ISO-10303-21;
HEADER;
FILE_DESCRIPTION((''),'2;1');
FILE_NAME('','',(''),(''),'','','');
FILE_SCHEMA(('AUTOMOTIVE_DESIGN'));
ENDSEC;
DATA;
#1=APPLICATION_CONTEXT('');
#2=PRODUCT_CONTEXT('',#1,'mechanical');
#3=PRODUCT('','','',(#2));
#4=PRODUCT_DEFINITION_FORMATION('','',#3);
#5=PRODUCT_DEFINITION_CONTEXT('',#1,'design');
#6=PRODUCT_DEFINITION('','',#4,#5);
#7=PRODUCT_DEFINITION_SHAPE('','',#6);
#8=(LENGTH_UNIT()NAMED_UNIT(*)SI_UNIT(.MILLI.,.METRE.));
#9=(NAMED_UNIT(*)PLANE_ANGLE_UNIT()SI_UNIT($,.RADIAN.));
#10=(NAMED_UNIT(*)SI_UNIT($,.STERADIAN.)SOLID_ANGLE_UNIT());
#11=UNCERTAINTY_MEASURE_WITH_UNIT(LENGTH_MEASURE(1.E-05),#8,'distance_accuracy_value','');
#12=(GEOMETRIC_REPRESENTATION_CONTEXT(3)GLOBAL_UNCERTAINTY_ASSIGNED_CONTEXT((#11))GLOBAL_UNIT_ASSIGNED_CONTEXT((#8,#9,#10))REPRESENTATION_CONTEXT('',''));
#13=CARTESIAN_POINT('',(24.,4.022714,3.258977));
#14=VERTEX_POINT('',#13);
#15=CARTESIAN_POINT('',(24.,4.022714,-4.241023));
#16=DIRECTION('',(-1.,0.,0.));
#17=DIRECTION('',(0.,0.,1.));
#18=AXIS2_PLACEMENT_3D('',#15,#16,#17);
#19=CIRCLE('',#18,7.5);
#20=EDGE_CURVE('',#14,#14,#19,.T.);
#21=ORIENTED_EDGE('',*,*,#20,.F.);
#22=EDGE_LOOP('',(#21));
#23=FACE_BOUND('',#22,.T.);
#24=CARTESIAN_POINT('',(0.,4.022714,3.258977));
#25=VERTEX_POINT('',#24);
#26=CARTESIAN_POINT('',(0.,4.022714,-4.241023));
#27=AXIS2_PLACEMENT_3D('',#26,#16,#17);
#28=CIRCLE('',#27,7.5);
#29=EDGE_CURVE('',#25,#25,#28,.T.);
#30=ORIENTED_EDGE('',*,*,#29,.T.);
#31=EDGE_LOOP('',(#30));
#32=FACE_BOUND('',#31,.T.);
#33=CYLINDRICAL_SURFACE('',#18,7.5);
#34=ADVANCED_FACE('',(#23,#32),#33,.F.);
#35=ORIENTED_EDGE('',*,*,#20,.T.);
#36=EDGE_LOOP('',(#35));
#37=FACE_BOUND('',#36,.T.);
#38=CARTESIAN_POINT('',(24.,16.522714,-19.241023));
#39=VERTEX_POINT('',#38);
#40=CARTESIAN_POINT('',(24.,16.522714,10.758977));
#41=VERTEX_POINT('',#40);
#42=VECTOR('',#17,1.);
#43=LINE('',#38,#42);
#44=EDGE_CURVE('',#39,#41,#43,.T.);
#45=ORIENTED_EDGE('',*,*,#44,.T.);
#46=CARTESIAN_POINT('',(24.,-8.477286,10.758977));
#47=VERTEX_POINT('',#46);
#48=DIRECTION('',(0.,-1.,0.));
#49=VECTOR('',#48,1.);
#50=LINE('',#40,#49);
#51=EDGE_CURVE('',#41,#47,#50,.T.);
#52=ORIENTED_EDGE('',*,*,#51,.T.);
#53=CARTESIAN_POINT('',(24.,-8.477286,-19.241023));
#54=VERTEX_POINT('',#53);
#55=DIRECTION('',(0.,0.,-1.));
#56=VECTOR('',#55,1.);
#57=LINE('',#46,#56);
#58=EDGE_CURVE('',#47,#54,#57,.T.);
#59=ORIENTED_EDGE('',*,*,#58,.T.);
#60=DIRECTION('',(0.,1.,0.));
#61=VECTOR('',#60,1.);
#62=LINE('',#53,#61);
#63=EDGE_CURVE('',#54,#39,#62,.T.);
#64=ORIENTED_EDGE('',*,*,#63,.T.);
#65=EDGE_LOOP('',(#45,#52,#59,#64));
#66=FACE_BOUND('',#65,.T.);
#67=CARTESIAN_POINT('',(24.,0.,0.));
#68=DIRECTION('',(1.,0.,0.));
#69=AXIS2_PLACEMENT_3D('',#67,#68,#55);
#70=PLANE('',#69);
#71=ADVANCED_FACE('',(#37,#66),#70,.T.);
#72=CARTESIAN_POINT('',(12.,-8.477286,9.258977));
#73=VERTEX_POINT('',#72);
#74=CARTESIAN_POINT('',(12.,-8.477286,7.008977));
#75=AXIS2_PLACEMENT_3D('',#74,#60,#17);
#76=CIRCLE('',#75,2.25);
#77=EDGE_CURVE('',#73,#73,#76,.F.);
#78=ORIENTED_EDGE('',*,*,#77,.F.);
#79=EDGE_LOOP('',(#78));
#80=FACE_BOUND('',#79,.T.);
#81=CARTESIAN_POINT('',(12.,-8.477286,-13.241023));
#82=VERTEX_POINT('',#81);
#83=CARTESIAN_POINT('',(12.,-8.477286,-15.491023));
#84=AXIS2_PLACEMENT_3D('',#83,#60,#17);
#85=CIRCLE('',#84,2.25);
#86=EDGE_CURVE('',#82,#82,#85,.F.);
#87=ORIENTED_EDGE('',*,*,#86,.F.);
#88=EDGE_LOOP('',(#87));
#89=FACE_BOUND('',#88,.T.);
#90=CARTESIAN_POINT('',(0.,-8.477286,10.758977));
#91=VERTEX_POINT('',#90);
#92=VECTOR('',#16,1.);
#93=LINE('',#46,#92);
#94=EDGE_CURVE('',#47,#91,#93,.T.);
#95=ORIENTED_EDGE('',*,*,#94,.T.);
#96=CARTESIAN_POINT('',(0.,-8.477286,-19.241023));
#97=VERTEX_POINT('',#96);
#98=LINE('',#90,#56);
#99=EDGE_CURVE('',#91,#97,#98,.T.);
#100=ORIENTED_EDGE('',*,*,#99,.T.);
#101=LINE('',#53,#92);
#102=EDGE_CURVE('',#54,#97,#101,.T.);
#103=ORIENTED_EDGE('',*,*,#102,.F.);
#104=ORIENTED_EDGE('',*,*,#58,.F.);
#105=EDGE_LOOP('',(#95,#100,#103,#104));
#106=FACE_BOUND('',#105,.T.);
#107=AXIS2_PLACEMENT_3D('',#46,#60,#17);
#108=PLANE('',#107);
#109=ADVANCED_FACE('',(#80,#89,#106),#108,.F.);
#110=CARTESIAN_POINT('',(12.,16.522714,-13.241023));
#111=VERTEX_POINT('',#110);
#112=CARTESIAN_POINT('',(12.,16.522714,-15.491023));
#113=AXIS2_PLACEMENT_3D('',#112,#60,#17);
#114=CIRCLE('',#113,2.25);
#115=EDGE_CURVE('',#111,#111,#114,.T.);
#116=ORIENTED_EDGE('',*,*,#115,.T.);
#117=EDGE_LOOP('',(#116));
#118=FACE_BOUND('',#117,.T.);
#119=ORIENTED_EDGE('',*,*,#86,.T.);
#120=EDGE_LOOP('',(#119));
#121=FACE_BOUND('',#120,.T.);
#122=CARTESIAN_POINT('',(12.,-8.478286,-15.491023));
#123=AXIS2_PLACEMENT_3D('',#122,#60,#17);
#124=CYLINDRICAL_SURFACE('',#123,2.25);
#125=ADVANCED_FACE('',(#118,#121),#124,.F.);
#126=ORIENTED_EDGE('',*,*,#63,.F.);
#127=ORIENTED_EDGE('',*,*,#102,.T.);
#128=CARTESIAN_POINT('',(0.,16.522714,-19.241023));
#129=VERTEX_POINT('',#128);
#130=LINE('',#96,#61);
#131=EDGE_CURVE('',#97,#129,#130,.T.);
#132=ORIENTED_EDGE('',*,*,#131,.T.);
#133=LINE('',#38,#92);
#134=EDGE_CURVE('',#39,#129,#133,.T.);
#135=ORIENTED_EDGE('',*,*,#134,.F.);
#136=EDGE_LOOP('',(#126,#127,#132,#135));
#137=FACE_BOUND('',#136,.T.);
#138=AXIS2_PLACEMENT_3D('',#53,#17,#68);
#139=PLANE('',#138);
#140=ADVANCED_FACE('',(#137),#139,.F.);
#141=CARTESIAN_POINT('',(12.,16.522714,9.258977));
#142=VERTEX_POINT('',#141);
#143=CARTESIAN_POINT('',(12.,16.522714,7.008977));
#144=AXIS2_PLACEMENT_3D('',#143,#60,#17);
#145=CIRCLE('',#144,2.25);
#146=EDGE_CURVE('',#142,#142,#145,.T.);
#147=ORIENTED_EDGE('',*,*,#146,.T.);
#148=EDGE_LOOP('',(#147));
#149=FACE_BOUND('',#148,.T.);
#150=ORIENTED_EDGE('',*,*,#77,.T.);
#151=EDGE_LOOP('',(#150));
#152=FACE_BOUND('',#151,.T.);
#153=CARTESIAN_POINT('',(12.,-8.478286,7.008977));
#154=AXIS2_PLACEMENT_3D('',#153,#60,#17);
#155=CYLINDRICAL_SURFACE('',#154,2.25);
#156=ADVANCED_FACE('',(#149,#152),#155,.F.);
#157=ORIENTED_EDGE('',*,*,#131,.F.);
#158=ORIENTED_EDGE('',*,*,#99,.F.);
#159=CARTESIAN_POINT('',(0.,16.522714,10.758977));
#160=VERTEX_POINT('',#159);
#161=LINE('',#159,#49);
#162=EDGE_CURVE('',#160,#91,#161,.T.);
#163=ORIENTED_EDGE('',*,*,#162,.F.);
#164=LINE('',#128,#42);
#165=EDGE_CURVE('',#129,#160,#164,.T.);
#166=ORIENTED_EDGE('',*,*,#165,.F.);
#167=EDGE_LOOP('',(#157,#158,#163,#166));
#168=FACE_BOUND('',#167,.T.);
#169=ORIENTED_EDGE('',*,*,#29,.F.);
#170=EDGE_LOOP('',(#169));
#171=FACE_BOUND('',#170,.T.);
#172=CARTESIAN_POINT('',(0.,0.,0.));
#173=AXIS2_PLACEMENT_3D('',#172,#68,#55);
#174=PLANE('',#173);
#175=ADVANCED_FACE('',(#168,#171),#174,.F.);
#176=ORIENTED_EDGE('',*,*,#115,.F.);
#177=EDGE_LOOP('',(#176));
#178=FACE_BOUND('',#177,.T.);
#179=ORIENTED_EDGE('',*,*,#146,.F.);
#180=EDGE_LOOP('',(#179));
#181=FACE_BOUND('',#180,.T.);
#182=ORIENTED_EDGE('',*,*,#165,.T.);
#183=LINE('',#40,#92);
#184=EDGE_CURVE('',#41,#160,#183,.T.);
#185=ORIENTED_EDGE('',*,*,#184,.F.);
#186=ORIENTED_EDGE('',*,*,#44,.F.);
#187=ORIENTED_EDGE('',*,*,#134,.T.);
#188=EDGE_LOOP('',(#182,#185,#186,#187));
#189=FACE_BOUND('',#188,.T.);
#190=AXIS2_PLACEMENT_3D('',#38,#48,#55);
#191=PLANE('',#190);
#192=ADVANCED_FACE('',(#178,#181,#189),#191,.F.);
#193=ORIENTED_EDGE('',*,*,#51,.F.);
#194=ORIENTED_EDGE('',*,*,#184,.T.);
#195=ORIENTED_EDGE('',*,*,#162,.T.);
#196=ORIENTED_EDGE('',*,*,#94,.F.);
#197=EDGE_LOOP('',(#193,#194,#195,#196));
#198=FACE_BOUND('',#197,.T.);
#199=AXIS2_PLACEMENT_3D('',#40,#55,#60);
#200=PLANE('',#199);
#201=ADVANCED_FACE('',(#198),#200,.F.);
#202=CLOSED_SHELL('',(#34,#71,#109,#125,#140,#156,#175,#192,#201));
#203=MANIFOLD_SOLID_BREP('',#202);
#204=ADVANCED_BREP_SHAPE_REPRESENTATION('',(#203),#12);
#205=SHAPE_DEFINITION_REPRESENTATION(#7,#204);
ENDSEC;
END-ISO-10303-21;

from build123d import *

# Parameters (mm, degrees)
CROQUIS1_W              = 30
CROQUIS1_H              = 25
SALIENTE_EXTRUIR1_DEPTH = 24
CROQUIS2_R              = 7.5
CORTAR_EXTRUIR1_DEPTH   = 24
CORTAR_EXTRUIR4_REACH   = 41.639
CROQUIS4_R              = 2.25


with BuildPart() as part:
    # Croquis1 → Saliente-Extruir1 (new body)
    with BuildSketch(Plane(origin=(0, 0, 0), x_dir=(0, 0, -1), z_dir=(1, 0, 0))):
        with Locations((4.241023359, 4.022714127)):
            Rectangle(CROQUIS1_W, CROQUIS1_H)
    extrude(amount=SALIENTE_EXTRUIR1_DEPTH)

    # Croquis2 → Cortar-Extruir1 (cut)
    with BuildSketch(Plane.ZY):
        with Locations((-4.241023359, 4.022714127)):
            Circle(CROQUIS2_R)
    extrude(amount=-CORTAR_EXTRUIR1_DEPTH, mode=Mode.SUBTRACT)

    # Croquis4 → Cortar-Extruir4 (cut, up to next)
    with BuildSketch(Plane(origin=(0, 16.522714127, 0), x_dir=(1, 0, 0), z_dir=(0, 1, 0)), mode=Mode.PRIVATE) as cortar_extruir4_sk1:
        with Locations(Location((12, 15.491023359, 0), (0, 0, 270))):
            Circle(CROQUIS4_R)
    cortar_extruir4_tool1 = extrude(cortar_extruir4_sk1.sketch, amount=-CORTAR_EXTRUIR4_REACH, mode=Mode.PRIVATE) & part.part
    # Croquis4 → Cortar-Extruir4 (cut, up to next)
    with BuildSketch(Plane(origin=(0, 16.522714127, 0), x_dir=(1, 0, 0), z_dir=(0, 1, 0)), mode=Mode.PRIVATE) as cortar_extruir4_sk2:
        with Locations(Location((12, -7.008976641, 0), (0, 0, 270))):
            Circle(CROQUIS4_R)
    cortar_extruir4_tool2 = extrude(cortar_extruir4_sk2.sketch, amount=-CORTAR_EXTRUIR4_REACH, mode=Mode.PRIVATE) & part.part
    add(cortar_extruir4_tool1.solids().sort_by_distance((12, 16.522714, -15.491023))[0], mode=Mode.SUBTRACT)
    add(cortar_extruir4_tool2.solids().sort_by_distance((12, 16.522714, 7.008977))[0], mode=Mode.SUBTRACT)


solid = part.part
